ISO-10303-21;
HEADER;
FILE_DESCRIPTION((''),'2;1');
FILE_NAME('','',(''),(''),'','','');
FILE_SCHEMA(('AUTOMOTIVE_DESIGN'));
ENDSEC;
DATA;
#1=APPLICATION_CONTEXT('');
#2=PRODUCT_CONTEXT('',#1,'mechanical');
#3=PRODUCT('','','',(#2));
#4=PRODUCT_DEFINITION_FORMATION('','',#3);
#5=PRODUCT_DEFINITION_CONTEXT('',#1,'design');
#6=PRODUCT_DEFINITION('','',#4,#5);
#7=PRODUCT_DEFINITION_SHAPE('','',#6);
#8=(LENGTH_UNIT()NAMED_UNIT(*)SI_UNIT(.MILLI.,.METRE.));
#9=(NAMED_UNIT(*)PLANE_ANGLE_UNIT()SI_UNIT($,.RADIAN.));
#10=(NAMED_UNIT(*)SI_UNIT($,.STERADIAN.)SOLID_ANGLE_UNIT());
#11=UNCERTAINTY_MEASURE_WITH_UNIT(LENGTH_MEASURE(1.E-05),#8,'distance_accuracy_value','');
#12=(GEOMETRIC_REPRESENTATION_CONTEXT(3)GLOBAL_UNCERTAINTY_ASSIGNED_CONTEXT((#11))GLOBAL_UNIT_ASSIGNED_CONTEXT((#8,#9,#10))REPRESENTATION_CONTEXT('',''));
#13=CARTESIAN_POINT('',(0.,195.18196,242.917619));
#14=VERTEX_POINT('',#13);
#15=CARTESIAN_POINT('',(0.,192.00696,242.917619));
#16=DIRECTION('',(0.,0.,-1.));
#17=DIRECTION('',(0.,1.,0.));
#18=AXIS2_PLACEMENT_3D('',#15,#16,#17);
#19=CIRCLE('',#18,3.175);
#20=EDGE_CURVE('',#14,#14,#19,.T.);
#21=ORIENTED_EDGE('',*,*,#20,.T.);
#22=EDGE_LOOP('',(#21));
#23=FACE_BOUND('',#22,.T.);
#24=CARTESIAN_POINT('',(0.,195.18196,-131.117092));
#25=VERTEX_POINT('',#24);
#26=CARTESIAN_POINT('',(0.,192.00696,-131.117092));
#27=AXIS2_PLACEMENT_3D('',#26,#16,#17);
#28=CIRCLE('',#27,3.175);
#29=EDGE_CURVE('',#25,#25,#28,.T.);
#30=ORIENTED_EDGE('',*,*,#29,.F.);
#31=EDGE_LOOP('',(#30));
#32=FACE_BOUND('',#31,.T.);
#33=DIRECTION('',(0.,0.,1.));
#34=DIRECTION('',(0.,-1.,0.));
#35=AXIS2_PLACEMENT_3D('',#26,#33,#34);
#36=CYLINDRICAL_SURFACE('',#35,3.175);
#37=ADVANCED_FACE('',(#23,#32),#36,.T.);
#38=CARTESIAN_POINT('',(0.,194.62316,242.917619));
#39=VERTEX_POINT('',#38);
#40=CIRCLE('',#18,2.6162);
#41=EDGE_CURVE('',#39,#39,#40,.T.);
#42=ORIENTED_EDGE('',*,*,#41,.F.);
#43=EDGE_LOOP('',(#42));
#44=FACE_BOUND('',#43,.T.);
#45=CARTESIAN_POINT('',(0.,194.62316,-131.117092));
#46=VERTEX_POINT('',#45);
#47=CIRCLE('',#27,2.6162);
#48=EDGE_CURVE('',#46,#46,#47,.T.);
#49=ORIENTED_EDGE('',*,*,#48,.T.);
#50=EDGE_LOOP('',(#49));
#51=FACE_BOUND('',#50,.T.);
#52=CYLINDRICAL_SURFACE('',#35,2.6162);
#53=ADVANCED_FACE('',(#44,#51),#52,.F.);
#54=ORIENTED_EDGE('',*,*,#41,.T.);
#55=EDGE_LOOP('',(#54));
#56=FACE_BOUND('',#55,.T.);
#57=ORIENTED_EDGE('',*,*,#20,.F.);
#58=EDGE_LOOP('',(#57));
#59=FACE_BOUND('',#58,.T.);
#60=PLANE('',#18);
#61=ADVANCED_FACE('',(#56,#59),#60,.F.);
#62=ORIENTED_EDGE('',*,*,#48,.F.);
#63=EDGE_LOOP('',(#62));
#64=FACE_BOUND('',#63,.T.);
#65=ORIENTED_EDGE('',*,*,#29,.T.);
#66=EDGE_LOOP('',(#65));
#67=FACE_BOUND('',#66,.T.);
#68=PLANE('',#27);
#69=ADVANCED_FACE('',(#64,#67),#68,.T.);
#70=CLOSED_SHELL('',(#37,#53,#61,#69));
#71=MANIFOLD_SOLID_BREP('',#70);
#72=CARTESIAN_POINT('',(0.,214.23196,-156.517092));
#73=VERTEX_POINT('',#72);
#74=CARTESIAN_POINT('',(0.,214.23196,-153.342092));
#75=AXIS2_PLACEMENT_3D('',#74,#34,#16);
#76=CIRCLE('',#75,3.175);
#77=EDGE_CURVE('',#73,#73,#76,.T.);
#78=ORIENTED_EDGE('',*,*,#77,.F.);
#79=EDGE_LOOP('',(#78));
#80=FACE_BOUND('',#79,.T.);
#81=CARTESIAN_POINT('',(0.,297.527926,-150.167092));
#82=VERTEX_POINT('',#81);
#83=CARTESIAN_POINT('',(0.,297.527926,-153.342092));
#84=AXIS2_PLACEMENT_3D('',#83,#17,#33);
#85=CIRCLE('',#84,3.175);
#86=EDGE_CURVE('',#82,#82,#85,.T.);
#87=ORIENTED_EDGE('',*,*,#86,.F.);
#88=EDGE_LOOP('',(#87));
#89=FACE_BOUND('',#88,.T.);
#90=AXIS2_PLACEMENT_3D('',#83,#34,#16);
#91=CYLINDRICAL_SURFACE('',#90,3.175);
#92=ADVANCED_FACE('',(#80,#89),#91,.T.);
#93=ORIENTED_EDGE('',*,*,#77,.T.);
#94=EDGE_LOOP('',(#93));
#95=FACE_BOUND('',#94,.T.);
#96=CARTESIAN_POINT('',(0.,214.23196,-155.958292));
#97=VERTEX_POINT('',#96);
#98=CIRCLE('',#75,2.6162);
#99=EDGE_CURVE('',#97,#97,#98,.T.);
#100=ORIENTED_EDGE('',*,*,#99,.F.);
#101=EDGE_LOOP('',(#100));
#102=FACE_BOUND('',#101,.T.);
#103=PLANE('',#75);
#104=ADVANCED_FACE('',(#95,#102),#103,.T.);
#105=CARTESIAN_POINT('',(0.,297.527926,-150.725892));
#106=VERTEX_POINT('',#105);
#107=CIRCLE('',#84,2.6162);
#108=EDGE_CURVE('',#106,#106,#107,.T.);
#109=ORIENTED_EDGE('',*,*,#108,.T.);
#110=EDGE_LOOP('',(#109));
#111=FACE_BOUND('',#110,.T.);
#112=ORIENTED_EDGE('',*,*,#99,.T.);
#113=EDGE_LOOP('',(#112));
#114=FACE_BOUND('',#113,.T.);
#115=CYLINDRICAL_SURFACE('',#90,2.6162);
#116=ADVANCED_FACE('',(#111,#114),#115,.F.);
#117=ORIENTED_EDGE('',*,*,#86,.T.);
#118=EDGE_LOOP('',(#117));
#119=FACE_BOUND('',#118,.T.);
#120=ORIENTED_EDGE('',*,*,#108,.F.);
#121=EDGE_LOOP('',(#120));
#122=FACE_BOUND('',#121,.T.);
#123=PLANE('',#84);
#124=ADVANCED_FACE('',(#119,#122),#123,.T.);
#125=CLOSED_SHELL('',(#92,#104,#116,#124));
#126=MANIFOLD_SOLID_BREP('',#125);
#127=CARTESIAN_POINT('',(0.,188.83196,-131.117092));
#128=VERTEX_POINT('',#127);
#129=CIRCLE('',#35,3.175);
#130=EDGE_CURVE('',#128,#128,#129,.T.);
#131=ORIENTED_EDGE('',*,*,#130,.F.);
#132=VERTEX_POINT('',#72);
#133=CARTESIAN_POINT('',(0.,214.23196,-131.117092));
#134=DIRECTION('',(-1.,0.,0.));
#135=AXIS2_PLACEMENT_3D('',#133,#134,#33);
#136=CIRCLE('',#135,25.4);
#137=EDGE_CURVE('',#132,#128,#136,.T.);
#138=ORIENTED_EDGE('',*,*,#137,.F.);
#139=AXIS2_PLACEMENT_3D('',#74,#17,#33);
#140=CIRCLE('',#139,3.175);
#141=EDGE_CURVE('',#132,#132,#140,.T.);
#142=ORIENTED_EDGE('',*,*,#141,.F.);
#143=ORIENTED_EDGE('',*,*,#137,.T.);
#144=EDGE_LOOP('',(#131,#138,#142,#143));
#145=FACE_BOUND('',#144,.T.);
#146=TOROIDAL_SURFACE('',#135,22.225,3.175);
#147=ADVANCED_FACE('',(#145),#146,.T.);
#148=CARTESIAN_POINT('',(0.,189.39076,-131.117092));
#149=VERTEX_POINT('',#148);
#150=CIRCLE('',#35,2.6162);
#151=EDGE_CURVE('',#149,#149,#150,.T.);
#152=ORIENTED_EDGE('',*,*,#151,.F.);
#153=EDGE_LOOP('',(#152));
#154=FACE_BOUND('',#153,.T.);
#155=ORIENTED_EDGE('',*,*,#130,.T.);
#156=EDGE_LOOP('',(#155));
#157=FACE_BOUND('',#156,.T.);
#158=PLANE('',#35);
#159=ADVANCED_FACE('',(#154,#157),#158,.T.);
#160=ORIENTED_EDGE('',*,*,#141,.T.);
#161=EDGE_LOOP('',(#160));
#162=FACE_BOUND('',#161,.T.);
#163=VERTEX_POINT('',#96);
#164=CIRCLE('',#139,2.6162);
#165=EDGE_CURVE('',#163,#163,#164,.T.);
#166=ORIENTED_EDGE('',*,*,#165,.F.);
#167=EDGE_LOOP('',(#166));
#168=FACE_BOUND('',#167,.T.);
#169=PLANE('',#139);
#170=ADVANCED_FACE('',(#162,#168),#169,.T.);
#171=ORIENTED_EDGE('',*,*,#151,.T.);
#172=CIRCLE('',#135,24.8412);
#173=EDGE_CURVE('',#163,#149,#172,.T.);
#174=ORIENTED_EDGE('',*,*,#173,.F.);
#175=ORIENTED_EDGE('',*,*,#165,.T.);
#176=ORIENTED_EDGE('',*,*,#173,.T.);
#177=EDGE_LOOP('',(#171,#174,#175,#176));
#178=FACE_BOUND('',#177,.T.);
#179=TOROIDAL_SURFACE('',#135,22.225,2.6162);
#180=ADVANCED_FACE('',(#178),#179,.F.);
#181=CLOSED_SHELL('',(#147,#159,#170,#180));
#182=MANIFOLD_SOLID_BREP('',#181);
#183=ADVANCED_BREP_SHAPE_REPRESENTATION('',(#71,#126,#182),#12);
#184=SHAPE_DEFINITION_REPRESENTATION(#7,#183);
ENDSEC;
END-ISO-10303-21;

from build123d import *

# Parameters (mm, degrees)
SKETCH11_R                = 3.175
SKETCH11_R_2              = 2.6162
PIPE_0_5_SCH_40_1_DEPTH   = 374.034711
SKETCH11_ON_SEGMENT_2_R   = 3.175
SKETCH11_ON_SEGMENT_2_R_2 = 2.6162
PIPE_0_5_SCH_40_1_2_ANGLE = 90
SKETCH11_ON_SEGMENT_3_R   = 3.175
SKETCH11_ON_SEGMENT_3_R_2 = 2.6162
PIPE_0_5_SCH_40_1_3_DEPTH = 83.295965609


with BuildPart() as part:
    # Sketch11 → Pipe 0.5 SCH 40(1) (new body)
    with BuildSketch(Plane(origin=(0, 192.006959968, 242.917619127), x_dir=(0, 1, 0), z_dir=(0, 0, -1))):
        Circle(SKETCH11_R)
        Circle(SKETCH11_R_2, mode=Mode.SUBTRACT)
    extrude(amount=PIPE_0_5_SCH_40_1_DEPTH)


with BuildPart() as body_2:
    # Sketch11 on segment 2 (carried to the start of arc 2) → Pipe 0.5 SCH 40_1 2 (revolve)
    with BuildSketch(Plane(origin=(0, 192.006959968, -131.117091873), x_dir=(0, 1, 0), z_dir=(0, 0, -1))):
        Circle(SKETCH11_ON_SEGMENT_2_R)
        Circle(SKETCH11_ON_SEGMENT_2_R_2, mode=Mode.SUBTRACT)
    revolve(axis=Axis((0, 214.231959968, -131.117091873), (1, 0, 0)), revolution_arc=PIPE_0_5_SCH_40_1_2_ANGLE)


with BuildPart() as body_3:
    # Sketch11 on segment 3 (carried to segment 3) → Pipe 0.5 SCH 40_1 3 (new body)
    with BuildSketch(Plane(origin=(0, 214.231959968, -153.342091873), x_dir=(0, 0, 1), z_dir=(0, 1, 0))):
        Circle(SKETCH11_ON_SEGMENT_3_R)
        Circle(SKETCH11_ON_SEGMENT_3_R_2, mode=Mode.SUBTRACT)
    extrude(amount=PIPE_0_5_SCH_40_1_3_DEPTH)


solid = Compound([part.part, body_2.part, body_3.part])
